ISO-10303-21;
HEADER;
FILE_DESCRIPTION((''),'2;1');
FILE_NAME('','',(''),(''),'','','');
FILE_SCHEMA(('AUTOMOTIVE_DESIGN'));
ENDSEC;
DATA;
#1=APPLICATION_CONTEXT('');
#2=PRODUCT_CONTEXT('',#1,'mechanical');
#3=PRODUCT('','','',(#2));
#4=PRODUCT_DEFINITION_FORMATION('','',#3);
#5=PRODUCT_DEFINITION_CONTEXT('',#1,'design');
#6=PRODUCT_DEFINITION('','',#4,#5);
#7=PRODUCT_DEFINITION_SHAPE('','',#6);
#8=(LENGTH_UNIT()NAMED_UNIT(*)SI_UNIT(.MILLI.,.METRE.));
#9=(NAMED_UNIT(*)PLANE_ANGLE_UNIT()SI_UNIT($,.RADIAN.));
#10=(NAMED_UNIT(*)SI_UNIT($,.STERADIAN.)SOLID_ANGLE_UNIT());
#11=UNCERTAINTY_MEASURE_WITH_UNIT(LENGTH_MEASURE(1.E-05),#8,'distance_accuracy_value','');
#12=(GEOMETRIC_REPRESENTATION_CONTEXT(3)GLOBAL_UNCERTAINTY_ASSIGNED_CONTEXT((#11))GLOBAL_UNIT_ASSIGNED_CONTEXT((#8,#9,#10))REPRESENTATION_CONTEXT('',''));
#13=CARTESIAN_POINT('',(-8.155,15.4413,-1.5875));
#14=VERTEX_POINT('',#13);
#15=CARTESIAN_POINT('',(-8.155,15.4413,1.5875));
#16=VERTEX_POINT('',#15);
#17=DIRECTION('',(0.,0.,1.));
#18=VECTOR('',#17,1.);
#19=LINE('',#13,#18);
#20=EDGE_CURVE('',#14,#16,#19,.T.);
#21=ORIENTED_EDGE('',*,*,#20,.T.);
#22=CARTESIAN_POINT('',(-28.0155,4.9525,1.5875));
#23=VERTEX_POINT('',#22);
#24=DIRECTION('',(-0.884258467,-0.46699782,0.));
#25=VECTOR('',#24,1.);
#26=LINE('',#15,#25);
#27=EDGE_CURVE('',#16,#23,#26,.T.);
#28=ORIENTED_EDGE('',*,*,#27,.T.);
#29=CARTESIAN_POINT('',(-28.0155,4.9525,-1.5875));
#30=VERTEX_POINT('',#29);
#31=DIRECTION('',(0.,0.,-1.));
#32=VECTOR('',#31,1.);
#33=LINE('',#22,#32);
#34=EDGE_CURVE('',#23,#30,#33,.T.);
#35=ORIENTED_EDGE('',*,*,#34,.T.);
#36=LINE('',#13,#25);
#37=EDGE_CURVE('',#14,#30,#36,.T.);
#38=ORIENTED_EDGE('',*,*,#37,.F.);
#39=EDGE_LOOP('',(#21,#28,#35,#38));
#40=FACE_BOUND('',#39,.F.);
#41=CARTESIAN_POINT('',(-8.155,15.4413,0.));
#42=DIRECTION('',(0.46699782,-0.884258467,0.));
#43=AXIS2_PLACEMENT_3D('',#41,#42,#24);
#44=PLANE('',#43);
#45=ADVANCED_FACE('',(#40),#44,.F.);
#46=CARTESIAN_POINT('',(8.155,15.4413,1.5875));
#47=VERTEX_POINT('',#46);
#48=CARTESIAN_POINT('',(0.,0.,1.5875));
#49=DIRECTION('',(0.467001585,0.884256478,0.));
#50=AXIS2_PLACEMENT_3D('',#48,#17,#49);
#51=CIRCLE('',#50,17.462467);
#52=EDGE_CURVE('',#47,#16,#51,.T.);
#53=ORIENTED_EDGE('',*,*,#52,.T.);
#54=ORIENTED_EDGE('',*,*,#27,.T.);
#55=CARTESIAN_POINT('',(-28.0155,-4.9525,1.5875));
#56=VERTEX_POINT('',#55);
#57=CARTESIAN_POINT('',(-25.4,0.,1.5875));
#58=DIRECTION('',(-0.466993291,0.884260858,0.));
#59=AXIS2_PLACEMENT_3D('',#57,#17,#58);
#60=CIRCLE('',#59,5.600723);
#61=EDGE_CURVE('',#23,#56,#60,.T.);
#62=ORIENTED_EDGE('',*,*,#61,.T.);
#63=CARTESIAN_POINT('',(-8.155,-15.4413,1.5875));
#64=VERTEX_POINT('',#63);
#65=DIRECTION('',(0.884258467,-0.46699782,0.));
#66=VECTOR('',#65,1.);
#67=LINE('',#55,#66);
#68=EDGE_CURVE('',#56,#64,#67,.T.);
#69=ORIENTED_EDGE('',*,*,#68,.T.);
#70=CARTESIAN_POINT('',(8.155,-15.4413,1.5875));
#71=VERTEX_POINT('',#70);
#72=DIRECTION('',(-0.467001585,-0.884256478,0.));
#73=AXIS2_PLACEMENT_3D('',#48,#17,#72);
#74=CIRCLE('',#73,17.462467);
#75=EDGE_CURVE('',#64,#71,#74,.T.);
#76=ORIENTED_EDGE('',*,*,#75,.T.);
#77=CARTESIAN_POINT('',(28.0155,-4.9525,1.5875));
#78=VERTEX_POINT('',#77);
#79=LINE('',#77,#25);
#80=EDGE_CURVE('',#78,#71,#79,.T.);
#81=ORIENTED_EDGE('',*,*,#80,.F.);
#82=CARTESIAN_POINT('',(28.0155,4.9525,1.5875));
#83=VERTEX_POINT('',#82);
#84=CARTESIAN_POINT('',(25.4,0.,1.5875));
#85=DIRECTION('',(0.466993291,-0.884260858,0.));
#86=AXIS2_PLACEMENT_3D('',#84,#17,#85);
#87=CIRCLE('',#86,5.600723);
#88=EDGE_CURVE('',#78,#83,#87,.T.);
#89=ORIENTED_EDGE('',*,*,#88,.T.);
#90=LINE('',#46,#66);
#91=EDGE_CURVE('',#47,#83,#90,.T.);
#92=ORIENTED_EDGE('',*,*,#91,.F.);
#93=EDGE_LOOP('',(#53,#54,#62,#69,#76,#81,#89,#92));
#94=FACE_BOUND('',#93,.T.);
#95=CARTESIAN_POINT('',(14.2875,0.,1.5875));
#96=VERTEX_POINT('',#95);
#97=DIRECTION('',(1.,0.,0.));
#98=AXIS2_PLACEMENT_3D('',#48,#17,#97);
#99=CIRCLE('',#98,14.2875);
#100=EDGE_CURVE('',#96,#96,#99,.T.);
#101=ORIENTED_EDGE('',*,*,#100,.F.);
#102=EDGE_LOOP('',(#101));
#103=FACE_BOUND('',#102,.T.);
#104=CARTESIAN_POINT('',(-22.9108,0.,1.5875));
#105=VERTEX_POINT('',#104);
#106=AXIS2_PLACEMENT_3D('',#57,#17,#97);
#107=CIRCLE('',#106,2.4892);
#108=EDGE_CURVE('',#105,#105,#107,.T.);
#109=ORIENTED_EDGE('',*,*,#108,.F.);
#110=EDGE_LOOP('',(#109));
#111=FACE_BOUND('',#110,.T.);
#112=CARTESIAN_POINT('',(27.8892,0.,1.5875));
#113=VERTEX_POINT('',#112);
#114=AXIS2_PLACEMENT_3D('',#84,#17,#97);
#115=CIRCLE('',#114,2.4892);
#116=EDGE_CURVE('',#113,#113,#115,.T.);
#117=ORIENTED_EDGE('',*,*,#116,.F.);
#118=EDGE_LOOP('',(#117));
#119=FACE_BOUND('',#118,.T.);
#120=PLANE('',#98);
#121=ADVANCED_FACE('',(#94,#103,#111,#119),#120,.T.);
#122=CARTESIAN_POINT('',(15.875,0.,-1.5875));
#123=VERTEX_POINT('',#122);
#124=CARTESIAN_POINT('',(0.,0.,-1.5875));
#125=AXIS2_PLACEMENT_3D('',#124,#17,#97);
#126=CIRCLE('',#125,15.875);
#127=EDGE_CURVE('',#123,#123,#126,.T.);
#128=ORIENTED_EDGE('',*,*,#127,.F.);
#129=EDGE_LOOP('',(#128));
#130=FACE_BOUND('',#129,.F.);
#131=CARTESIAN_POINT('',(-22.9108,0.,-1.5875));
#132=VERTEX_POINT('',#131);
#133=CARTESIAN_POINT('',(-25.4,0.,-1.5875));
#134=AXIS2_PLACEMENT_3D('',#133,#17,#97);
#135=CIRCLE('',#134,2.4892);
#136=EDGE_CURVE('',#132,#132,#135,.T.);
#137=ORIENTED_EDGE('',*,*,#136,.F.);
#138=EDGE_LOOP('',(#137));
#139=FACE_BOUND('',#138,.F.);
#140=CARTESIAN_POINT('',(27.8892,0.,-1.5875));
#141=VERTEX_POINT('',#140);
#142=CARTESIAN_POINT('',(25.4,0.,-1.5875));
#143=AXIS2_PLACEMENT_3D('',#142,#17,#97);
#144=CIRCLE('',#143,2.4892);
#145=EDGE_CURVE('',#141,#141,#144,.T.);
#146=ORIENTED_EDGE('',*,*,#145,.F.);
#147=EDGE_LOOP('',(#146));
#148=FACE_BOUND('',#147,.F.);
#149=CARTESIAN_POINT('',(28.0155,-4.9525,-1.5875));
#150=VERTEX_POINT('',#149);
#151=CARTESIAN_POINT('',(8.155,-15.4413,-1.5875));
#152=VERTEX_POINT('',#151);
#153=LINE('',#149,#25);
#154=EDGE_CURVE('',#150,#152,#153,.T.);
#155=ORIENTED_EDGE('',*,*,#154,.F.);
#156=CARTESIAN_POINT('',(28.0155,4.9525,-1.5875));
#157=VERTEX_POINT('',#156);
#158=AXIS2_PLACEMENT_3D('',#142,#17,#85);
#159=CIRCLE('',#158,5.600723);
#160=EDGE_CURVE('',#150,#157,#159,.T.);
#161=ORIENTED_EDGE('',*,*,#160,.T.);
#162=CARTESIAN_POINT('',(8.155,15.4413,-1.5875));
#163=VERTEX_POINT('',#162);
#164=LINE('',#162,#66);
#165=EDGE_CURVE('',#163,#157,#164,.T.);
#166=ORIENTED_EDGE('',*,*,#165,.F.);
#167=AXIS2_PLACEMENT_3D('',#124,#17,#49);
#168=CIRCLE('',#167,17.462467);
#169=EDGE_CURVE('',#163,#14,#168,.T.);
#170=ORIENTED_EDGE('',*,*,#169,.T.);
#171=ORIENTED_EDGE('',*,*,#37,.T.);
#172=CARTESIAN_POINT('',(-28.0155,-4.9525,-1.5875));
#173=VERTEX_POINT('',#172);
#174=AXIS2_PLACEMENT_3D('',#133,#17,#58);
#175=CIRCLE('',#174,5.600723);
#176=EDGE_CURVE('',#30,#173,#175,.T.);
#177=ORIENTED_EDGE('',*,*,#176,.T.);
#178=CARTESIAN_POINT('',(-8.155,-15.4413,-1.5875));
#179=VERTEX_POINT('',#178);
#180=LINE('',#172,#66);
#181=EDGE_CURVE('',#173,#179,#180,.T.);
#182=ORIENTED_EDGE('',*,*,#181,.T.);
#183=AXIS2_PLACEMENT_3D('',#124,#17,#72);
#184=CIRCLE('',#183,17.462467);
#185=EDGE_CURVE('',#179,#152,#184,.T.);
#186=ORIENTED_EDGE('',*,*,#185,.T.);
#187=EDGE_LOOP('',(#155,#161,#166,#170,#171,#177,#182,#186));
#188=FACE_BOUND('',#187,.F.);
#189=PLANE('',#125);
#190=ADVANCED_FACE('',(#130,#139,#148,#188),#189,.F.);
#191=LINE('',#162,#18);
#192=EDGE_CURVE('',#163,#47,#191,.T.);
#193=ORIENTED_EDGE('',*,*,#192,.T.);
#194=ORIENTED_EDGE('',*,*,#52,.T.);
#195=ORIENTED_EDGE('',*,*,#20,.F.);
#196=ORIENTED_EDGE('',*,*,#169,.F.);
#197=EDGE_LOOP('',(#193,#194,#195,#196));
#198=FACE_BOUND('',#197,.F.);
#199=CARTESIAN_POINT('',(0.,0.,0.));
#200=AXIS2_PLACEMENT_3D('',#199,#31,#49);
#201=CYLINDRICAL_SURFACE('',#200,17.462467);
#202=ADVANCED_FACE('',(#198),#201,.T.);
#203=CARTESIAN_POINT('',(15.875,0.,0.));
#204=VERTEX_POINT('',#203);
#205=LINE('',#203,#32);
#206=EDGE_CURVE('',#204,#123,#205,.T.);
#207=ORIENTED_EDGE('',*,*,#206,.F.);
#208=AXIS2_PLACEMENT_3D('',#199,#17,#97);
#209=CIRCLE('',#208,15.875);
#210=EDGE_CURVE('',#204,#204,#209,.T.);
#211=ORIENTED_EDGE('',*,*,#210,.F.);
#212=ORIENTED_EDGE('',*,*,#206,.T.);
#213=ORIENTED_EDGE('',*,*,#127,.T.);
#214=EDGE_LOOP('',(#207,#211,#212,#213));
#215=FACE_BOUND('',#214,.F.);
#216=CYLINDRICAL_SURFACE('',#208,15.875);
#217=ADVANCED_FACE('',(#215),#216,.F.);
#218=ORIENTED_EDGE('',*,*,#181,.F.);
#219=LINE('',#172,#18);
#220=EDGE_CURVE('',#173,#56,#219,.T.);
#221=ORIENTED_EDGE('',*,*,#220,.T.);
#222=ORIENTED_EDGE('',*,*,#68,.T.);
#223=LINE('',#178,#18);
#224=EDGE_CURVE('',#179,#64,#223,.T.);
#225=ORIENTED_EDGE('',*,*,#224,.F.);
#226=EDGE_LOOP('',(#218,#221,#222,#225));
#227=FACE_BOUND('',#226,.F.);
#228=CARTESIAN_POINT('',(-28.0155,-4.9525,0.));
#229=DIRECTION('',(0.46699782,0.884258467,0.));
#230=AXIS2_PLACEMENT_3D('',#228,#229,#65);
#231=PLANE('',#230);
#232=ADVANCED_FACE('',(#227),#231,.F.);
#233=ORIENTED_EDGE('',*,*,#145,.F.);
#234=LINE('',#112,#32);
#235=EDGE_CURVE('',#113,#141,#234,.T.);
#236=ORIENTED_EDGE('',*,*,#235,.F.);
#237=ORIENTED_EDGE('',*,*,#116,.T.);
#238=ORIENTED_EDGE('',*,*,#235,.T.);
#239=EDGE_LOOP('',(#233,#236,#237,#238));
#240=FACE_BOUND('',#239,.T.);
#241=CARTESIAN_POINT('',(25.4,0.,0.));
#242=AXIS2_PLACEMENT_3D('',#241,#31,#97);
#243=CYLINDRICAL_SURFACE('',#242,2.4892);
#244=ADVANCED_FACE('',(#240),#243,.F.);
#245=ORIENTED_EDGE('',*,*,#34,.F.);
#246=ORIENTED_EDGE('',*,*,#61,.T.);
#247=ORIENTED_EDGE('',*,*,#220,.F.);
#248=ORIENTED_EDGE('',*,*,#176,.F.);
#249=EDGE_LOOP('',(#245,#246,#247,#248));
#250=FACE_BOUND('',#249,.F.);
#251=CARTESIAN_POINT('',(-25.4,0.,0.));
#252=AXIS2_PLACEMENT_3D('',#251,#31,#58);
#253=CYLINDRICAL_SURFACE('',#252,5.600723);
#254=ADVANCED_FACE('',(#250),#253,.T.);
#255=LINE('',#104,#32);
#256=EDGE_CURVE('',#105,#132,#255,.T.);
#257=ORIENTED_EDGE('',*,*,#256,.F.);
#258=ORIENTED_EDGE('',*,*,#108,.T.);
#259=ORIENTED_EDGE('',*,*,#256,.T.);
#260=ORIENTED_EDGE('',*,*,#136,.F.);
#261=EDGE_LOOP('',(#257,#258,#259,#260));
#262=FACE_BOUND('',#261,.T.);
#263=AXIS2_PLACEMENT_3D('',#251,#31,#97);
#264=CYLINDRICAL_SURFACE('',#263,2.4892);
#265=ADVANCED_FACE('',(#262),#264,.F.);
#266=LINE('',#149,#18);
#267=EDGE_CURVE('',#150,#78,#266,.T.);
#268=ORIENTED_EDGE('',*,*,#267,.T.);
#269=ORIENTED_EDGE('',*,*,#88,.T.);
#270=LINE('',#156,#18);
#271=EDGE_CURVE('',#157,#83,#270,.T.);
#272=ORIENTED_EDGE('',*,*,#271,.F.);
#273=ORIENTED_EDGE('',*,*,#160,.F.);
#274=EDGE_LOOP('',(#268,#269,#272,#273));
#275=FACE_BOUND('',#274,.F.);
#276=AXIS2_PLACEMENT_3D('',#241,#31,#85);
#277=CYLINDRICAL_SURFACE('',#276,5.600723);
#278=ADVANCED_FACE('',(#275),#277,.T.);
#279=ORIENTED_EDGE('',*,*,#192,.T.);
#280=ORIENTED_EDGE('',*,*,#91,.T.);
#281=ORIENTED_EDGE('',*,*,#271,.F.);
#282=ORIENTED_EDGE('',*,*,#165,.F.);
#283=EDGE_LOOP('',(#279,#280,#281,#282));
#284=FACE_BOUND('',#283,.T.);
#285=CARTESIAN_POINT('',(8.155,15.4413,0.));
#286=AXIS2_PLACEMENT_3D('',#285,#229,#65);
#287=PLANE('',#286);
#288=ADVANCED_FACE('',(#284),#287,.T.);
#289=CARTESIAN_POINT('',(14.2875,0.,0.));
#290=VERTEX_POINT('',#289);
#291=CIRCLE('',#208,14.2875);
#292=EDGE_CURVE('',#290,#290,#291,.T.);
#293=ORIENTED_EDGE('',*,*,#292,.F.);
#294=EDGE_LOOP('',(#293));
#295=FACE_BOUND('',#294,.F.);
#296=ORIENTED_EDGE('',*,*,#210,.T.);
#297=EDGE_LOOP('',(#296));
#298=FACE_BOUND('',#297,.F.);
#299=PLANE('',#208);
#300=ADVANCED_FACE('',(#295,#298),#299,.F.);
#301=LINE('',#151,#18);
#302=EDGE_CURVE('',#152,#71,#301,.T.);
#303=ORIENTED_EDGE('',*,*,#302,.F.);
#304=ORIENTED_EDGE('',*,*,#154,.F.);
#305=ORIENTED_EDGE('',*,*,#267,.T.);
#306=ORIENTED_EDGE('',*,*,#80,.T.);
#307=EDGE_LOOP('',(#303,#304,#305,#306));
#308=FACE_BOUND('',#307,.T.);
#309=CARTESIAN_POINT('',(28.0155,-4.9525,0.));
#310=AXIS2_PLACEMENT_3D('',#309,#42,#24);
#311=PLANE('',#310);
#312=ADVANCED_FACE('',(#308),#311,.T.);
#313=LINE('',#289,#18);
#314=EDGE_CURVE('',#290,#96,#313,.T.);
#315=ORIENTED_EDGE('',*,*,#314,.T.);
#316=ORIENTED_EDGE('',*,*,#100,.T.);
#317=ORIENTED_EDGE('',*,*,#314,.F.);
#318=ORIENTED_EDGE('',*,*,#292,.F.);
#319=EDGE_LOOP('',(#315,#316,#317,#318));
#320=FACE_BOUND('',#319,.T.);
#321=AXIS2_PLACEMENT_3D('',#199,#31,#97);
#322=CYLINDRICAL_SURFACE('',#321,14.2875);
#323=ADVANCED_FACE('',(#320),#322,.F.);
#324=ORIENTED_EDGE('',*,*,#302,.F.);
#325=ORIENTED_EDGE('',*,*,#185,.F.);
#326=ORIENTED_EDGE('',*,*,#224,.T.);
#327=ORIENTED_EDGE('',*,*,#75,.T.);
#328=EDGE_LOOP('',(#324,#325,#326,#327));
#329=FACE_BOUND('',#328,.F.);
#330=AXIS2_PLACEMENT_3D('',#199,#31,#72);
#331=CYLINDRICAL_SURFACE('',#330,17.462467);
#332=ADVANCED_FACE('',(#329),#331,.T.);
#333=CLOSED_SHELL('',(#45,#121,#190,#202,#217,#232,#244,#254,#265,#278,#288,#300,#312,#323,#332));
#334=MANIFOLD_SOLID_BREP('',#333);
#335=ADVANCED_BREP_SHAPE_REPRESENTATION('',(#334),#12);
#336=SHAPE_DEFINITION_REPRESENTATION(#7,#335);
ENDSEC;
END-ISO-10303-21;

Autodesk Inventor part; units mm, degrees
ref_plane "YZ Plane" through (0, 0, 0) normal (1, 0, 0) x (0, 1, 0)
ref_plane "XZ Plane" through (0, 0, 0) normal (0, 1, 0) x (-1, 0, 0)
ref_plane "XY Plane" through (0, 0, 0) normal (0, 0, 1) x (1, 0, 0)
sketch "Sketch1" plane through (0, 0, 0) normal (0, 0, 1) x (1, 0, 0)
  circle A0 centre (0, 0) radius 14.2875
  circle A1 centre (0, 0) radius 15.875
  line L0 (-28.0155, -4.9525) -> (-8.155, -15.4413)
  line L1 (28.0155, -4.9525) -> (8.155, -15.4413)
  line L2 (-8.155, 15.4413) -> (-28.0155, 4.9525)
  line L3 (8.155, 15.4413) -> (28.0155, 4.9525)
  arc A2 (8.155, 15.4413) -> (-8.155, 15.4413) centre (0, 0) ccw
  arc A3 (-8.155, -15.4413) -> (8.155, -15.4413) centre (0, 0) ccw
  arc A4 (-28.0155, 4.9525) -> (-28.0155, -4.9525) centre (-25.4, 0) ccw
  arc A5 (28.0155, -4.9525) -> (28.0155, 4.9525) centre (25.4, 0) ccw
  circle A6 centre (-25.4, 0) radius 2.4892
  circle A7 centre (25.4, 0) radius 2.4892
  dimension "d0" = 28.575
  dimension "d2" = 31.75
  dimension "d3" = 34.925
  dimension "d4" = 4.9784
  dimension "d5" = 50.8
  dimension "d6" = 11.2014
extrude "Extrusion1" add sketch "Sketch1" along normal mid plane 3.175 contours A1 | A4 L2 A2 L3 A5 L1 A3 L0
extrude "Extrusion2" cut sketch "Sketch1" against normal blind 1.5875 contours A1
properties part number "Thriftybot Bearing Hat (TTB-0059)" material "Aluminum 6061"
